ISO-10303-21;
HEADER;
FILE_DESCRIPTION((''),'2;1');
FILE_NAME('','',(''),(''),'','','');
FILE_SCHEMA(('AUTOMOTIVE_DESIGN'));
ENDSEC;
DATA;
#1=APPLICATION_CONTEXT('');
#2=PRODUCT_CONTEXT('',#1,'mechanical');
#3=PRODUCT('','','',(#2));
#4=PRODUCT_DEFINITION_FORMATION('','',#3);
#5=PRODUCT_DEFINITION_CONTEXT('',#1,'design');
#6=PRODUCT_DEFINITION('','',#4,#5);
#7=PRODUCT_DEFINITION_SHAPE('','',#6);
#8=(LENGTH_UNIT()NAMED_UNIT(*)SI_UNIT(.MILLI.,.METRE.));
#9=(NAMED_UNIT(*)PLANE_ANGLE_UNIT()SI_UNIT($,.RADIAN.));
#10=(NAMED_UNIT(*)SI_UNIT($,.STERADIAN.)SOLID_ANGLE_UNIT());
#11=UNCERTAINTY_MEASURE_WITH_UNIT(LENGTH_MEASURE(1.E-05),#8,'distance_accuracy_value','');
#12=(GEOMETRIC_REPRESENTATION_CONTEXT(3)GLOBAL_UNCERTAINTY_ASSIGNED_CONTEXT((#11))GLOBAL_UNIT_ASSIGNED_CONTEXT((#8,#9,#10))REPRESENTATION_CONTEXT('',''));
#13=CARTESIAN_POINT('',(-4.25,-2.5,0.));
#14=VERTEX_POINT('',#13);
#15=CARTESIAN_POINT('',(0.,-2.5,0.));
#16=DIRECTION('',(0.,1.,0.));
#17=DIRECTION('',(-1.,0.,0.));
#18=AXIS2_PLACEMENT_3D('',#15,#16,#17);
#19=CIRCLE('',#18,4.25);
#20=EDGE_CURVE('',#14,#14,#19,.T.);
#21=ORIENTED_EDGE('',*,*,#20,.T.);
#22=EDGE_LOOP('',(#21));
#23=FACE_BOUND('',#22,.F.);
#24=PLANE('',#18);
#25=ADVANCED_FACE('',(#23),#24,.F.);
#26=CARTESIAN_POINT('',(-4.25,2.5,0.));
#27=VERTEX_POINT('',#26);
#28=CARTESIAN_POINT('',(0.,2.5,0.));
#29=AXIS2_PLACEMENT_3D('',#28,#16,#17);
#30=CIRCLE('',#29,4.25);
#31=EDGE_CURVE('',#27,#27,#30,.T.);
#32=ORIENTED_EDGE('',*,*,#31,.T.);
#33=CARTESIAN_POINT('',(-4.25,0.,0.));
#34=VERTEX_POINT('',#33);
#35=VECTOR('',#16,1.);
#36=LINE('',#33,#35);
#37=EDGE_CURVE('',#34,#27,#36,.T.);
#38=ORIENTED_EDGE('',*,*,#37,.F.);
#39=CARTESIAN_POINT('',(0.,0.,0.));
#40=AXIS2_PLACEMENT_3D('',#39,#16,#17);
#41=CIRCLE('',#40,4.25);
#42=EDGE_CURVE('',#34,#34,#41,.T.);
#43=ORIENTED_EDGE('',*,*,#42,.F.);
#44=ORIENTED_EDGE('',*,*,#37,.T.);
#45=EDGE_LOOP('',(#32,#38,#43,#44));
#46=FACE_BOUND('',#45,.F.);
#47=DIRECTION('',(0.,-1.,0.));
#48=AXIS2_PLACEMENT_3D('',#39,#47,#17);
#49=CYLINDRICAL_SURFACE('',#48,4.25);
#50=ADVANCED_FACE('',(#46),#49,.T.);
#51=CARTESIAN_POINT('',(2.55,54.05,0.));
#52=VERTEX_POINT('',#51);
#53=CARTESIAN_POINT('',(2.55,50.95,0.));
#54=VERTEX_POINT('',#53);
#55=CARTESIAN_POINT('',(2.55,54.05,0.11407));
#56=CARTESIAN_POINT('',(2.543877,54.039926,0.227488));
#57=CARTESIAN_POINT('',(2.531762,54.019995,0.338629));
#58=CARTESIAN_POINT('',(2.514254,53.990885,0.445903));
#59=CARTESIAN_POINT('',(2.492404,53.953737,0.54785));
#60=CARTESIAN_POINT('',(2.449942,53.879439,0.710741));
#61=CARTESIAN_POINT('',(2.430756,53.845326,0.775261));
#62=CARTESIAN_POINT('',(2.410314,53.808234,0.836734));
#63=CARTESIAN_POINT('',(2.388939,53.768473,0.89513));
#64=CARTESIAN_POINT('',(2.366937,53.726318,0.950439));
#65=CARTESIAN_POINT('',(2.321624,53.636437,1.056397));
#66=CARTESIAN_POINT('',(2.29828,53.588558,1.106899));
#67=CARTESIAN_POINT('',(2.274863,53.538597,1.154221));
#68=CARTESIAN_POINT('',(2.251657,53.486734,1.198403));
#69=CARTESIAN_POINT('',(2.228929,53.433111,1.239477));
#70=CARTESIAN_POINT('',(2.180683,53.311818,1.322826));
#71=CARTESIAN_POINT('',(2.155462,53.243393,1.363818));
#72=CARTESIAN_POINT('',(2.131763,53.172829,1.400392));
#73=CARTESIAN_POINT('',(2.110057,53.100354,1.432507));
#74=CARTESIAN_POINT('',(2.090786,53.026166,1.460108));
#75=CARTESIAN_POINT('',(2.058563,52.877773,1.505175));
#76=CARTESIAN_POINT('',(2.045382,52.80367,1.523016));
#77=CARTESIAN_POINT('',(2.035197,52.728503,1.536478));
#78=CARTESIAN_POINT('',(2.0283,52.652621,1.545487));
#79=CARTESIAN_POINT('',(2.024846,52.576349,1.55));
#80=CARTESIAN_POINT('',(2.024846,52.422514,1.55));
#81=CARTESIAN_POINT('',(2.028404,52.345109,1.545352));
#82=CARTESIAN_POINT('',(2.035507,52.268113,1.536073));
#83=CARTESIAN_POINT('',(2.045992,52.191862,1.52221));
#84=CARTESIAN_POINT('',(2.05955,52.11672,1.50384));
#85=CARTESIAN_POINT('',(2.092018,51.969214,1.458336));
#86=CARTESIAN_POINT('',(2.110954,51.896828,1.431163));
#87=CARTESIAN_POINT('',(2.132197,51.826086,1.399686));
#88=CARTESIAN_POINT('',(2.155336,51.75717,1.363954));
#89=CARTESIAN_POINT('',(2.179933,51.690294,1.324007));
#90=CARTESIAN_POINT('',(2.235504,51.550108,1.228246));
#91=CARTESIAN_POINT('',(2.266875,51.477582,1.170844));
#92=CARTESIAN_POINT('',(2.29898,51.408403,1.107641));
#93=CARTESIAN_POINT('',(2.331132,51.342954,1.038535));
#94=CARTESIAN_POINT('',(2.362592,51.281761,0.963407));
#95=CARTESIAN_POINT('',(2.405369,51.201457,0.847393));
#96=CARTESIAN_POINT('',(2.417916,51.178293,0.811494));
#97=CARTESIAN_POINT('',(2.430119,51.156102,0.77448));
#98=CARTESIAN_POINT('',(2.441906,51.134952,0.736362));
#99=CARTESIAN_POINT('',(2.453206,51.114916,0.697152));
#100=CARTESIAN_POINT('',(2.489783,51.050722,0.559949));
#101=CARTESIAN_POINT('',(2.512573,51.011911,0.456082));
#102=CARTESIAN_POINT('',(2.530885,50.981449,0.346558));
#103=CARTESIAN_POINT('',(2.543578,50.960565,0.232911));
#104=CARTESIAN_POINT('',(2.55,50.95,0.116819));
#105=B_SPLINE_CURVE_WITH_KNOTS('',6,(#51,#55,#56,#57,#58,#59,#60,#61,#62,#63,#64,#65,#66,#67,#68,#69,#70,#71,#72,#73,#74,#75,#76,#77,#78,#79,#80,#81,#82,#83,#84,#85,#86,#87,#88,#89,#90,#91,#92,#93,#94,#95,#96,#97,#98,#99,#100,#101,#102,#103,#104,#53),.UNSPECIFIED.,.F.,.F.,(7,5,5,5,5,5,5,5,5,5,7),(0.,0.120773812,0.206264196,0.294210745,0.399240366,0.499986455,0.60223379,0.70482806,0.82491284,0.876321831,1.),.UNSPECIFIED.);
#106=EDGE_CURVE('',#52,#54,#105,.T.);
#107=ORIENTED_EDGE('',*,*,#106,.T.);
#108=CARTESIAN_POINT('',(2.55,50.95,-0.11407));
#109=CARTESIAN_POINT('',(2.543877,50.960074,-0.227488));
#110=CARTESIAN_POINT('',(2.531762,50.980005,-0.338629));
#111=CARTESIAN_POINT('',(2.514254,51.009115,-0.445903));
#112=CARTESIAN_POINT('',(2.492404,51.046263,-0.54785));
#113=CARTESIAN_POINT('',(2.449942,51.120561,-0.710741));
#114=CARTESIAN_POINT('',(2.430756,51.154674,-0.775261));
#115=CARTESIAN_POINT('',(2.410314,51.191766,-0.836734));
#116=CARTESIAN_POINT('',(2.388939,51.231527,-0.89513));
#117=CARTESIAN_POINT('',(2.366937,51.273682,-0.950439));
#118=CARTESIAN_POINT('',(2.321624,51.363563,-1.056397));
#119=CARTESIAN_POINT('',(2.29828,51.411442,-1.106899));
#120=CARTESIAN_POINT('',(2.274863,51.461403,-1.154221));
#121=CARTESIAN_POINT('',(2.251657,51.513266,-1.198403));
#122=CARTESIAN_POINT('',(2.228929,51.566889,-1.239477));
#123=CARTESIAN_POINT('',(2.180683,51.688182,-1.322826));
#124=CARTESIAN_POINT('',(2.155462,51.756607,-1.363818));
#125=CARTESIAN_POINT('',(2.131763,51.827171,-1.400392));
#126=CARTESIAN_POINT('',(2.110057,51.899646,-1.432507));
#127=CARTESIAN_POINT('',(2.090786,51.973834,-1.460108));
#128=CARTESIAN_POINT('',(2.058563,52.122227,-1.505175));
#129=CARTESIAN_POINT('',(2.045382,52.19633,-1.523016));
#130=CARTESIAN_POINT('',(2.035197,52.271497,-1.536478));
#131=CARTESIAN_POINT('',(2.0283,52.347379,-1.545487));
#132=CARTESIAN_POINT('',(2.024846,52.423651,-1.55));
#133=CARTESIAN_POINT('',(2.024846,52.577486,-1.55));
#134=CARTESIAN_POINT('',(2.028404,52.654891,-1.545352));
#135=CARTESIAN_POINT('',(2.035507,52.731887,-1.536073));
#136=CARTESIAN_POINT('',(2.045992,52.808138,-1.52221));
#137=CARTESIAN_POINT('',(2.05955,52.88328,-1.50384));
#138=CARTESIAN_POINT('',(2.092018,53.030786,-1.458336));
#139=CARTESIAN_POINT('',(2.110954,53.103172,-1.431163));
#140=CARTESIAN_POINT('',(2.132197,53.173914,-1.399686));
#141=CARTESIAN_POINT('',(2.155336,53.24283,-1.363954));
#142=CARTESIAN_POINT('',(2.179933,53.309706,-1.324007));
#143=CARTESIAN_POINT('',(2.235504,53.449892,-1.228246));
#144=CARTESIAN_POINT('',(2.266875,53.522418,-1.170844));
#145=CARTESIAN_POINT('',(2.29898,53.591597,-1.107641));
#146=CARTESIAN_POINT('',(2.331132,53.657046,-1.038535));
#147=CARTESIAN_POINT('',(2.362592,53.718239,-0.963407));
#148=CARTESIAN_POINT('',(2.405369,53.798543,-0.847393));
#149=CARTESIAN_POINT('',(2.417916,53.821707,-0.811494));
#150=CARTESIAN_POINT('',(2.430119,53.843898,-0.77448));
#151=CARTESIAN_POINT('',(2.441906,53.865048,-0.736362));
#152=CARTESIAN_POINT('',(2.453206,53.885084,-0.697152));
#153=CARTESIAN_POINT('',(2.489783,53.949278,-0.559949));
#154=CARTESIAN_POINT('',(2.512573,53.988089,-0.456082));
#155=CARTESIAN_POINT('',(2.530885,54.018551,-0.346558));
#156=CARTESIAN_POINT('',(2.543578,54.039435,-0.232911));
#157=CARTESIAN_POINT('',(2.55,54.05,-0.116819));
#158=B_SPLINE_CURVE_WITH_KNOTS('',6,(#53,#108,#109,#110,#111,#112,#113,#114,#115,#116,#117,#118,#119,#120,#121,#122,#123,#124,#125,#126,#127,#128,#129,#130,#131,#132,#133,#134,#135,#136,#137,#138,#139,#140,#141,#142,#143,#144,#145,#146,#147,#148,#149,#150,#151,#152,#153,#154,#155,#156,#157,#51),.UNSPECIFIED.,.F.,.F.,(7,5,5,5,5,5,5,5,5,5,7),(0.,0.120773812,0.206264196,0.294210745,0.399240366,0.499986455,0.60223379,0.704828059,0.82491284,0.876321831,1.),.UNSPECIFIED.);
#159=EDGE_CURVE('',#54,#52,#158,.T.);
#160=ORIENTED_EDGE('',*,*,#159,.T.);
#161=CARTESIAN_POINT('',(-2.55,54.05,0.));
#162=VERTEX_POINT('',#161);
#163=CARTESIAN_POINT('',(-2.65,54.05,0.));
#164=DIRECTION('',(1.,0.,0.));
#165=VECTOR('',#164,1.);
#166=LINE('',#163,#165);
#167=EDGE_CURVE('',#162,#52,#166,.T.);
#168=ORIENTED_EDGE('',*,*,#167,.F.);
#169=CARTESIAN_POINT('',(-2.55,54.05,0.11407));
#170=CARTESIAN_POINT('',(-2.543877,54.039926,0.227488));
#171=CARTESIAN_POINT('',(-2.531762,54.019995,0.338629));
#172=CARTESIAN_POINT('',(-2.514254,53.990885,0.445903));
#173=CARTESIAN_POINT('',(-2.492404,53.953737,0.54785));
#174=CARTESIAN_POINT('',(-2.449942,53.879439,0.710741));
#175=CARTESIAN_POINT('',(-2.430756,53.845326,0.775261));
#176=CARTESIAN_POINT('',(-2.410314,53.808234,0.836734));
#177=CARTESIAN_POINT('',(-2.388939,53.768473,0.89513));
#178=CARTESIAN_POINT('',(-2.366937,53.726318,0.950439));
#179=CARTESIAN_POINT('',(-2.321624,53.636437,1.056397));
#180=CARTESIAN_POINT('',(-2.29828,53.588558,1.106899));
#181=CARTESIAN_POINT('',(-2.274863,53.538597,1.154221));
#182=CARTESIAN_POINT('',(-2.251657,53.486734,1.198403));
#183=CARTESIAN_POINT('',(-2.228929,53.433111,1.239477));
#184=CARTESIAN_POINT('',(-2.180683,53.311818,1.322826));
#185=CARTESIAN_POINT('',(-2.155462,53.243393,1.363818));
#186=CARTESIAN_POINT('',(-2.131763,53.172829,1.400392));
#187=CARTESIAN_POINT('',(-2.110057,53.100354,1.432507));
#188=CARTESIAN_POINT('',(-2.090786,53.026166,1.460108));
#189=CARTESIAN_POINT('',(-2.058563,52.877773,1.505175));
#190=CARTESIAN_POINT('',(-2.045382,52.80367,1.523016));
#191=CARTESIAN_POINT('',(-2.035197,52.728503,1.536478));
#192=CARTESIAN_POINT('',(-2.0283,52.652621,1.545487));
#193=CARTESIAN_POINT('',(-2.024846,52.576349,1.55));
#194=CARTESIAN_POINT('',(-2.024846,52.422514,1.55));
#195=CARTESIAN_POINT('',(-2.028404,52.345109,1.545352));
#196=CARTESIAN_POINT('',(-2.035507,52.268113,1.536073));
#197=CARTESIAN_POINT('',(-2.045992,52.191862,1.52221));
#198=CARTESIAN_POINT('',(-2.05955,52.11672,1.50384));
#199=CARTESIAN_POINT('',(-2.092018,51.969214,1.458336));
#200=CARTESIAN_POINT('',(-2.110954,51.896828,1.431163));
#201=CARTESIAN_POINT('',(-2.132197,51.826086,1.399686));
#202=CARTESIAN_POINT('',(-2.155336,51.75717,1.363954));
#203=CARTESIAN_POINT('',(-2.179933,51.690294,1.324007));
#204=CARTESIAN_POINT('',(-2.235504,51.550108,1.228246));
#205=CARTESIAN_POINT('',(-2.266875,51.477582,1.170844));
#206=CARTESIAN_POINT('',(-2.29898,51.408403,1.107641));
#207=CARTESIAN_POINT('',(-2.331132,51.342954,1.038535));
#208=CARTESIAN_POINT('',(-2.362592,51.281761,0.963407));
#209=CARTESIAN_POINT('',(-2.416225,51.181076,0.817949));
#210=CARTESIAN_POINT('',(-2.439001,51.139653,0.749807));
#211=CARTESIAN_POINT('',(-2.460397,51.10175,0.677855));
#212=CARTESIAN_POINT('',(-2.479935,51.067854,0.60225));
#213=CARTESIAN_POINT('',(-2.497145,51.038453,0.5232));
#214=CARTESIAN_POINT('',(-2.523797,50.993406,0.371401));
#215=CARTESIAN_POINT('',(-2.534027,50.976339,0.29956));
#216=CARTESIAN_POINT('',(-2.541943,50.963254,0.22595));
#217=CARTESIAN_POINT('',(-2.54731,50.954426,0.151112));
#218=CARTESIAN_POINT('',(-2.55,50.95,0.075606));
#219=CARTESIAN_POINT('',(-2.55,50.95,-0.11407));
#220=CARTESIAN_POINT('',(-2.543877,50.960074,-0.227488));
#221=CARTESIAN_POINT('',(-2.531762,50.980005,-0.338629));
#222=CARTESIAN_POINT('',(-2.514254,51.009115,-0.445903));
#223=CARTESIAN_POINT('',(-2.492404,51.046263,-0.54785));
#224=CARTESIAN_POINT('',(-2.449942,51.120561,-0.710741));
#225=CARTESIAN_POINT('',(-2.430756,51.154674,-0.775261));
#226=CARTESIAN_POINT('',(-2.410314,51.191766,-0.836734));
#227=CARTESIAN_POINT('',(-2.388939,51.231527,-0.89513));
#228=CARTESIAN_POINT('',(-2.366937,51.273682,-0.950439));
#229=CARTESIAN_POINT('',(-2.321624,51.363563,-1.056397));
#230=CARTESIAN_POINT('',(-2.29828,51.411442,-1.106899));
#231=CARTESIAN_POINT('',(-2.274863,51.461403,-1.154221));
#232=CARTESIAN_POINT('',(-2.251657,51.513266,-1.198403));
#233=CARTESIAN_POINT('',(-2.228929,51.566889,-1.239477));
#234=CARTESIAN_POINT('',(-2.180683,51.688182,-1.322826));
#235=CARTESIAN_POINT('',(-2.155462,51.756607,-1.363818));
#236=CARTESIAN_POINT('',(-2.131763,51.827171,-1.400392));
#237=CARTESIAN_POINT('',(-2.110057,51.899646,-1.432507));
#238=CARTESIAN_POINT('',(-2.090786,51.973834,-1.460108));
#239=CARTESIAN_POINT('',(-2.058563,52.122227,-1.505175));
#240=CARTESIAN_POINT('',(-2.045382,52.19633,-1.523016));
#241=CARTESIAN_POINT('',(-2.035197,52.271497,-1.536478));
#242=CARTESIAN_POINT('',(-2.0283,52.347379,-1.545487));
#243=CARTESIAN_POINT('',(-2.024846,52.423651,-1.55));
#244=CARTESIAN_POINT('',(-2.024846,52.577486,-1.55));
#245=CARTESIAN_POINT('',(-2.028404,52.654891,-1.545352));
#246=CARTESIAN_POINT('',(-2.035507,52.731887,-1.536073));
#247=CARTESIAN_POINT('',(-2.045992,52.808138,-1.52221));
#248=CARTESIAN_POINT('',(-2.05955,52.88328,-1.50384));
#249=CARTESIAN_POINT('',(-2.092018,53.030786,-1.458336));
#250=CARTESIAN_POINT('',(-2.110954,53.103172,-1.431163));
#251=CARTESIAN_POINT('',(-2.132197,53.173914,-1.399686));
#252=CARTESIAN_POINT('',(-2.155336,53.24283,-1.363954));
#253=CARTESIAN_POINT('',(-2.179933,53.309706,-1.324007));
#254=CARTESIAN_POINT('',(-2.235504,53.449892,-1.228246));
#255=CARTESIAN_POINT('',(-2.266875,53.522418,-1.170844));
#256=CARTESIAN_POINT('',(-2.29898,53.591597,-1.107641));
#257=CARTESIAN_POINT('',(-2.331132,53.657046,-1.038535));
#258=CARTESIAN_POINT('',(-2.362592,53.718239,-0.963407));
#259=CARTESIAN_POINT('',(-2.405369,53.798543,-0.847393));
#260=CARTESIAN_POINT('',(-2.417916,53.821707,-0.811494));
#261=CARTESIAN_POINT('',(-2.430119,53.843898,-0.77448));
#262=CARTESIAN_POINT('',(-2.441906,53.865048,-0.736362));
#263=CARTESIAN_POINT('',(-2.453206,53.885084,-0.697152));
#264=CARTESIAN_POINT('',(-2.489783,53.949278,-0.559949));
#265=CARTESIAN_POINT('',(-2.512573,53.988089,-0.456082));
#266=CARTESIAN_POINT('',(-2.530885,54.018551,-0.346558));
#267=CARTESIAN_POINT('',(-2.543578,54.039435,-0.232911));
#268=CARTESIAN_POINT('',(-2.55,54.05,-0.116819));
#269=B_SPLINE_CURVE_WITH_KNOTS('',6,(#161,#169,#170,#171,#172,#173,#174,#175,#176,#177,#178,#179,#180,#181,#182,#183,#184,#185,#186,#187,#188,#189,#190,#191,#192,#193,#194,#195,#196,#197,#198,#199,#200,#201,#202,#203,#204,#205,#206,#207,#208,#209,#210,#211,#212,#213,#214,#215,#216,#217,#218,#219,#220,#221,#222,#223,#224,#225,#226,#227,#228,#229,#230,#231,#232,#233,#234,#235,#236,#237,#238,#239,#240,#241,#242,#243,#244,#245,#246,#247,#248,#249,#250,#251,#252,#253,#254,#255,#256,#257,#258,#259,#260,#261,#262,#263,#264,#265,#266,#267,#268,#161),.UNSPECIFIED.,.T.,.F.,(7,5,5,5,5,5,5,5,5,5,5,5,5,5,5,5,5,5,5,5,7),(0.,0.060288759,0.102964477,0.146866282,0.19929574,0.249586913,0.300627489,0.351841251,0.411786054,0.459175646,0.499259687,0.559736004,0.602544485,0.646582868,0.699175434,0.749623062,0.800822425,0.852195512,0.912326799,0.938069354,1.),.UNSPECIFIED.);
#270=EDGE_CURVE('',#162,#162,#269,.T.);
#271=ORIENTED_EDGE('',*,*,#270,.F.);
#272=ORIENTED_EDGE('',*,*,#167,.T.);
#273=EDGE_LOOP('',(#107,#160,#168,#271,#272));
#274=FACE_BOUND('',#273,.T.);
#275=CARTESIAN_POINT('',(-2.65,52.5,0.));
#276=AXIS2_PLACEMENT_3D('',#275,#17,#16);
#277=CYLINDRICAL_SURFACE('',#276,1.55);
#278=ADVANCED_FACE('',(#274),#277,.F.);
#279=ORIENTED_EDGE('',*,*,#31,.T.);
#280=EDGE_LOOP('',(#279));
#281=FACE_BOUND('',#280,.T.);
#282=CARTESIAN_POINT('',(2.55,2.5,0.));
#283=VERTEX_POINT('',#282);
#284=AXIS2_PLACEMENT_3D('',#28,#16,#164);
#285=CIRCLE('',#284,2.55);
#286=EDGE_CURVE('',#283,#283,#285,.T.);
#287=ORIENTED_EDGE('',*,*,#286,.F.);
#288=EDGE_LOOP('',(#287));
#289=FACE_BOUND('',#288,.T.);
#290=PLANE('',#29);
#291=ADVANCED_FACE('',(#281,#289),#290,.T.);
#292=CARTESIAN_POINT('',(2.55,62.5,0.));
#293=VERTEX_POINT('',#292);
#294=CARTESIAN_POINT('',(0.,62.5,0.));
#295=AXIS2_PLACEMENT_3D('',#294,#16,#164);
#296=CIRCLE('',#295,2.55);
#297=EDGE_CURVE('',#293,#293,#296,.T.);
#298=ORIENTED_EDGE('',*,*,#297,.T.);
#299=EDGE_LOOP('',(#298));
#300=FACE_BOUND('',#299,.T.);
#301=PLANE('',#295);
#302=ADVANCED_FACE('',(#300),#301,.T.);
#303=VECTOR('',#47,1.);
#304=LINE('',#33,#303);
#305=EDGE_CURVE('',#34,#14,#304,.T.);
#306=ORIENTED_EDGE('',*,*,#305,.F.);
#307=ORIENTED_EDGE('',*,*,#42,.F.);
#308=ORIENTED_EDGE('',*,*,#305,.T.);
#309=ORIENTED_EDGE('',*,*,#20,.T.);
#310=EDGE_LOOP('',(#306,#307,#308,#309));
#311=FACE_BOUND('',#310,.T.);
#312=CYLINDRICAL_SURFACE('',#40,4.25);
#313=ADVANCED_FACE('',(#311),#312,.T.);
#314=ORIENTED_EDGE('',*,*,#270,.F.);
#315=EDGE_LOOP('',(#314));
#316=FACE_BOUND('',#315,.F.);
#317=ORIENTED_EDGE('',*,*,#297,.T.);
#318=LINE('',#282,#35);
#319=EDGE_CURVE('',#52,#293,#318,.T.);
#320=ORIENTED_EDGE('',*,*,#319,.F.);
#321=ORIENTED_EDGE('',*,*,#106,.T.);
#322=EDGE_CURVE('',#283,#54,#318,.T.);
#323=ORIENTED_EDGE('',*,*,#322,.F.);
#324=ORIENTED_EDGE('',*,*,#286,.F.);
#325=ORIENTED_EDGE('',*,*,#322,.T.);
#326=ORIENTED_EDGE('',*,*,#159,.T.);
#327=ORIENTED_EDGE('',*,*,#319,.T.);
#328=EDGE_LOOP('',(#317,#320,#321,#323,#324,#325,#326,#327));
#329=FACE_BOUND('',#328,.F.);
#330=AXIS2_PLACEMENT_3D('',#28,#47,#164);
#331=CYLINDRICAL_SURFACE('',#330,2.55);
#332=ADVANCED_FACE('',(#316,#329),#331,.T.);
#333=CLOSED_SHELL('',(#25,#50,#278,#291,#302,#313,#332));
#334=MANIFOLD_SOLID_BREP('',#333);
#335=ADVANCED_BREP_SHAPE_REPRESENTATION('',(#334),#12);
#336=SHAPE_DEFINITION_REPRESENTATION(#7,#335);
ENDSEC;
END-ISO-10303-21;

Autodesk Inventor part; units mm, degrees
ref_plane "XZ Plane" through (0, 0, 0) normal (0, 1, 0) x (-1, 0, 0)
ref_plane "XY Plane" through (0, 0, 0) normal (0, 0, 1) x (1, 0, 0)
sketch "Szkic1" plane through (0, 0, 0) normal (0, 1, 0) x (-1, 0, 0)
  circle A0 centre (0, 0) radius 4.25
  dimension "d0" = 8.5
extrude "Wyciągnięcie proste1" add sketch "Szkic1" along normal mid plane 5
sketch "Szkic2" plane through (0, 2.5, 0) normal (0, 1, 0) x (1, 0, 0)
  circle A0 centre (0, 0) radius 2.55
  dimension "d3" = 5.1
extrude "Wyciągnięcie proste2" add sketch "Szkic2" along normal blind 60
ref_plane "Płaszczyzna konstrukcyjna1" through (-2.65, 0, 0) normal (1, 0, 0) x (0, 1, 0)
sketch "Szkic3" plane through (-2.65, 0, 0) normal (1, 0, 0) x (0, 1, 0)
  point P0 (0, 0)
sketch "Szkic4" plane through (-2.65, 0, 0) normal (1, 0, 0) x (0, 1, 0)
  circle A0 centre (52.5, 0) radius 1.55
  line L0 (62.5, -2.55) -> (62.5, 2.55) projected
  point P0 (0, 0)
  dimension "d8" = 3.1
  dimension "d9" = 10
extrude "Wyciągnięcie proste3" cut sketch "Szkic4" along normal blind 50
properties part number "sworzen"
